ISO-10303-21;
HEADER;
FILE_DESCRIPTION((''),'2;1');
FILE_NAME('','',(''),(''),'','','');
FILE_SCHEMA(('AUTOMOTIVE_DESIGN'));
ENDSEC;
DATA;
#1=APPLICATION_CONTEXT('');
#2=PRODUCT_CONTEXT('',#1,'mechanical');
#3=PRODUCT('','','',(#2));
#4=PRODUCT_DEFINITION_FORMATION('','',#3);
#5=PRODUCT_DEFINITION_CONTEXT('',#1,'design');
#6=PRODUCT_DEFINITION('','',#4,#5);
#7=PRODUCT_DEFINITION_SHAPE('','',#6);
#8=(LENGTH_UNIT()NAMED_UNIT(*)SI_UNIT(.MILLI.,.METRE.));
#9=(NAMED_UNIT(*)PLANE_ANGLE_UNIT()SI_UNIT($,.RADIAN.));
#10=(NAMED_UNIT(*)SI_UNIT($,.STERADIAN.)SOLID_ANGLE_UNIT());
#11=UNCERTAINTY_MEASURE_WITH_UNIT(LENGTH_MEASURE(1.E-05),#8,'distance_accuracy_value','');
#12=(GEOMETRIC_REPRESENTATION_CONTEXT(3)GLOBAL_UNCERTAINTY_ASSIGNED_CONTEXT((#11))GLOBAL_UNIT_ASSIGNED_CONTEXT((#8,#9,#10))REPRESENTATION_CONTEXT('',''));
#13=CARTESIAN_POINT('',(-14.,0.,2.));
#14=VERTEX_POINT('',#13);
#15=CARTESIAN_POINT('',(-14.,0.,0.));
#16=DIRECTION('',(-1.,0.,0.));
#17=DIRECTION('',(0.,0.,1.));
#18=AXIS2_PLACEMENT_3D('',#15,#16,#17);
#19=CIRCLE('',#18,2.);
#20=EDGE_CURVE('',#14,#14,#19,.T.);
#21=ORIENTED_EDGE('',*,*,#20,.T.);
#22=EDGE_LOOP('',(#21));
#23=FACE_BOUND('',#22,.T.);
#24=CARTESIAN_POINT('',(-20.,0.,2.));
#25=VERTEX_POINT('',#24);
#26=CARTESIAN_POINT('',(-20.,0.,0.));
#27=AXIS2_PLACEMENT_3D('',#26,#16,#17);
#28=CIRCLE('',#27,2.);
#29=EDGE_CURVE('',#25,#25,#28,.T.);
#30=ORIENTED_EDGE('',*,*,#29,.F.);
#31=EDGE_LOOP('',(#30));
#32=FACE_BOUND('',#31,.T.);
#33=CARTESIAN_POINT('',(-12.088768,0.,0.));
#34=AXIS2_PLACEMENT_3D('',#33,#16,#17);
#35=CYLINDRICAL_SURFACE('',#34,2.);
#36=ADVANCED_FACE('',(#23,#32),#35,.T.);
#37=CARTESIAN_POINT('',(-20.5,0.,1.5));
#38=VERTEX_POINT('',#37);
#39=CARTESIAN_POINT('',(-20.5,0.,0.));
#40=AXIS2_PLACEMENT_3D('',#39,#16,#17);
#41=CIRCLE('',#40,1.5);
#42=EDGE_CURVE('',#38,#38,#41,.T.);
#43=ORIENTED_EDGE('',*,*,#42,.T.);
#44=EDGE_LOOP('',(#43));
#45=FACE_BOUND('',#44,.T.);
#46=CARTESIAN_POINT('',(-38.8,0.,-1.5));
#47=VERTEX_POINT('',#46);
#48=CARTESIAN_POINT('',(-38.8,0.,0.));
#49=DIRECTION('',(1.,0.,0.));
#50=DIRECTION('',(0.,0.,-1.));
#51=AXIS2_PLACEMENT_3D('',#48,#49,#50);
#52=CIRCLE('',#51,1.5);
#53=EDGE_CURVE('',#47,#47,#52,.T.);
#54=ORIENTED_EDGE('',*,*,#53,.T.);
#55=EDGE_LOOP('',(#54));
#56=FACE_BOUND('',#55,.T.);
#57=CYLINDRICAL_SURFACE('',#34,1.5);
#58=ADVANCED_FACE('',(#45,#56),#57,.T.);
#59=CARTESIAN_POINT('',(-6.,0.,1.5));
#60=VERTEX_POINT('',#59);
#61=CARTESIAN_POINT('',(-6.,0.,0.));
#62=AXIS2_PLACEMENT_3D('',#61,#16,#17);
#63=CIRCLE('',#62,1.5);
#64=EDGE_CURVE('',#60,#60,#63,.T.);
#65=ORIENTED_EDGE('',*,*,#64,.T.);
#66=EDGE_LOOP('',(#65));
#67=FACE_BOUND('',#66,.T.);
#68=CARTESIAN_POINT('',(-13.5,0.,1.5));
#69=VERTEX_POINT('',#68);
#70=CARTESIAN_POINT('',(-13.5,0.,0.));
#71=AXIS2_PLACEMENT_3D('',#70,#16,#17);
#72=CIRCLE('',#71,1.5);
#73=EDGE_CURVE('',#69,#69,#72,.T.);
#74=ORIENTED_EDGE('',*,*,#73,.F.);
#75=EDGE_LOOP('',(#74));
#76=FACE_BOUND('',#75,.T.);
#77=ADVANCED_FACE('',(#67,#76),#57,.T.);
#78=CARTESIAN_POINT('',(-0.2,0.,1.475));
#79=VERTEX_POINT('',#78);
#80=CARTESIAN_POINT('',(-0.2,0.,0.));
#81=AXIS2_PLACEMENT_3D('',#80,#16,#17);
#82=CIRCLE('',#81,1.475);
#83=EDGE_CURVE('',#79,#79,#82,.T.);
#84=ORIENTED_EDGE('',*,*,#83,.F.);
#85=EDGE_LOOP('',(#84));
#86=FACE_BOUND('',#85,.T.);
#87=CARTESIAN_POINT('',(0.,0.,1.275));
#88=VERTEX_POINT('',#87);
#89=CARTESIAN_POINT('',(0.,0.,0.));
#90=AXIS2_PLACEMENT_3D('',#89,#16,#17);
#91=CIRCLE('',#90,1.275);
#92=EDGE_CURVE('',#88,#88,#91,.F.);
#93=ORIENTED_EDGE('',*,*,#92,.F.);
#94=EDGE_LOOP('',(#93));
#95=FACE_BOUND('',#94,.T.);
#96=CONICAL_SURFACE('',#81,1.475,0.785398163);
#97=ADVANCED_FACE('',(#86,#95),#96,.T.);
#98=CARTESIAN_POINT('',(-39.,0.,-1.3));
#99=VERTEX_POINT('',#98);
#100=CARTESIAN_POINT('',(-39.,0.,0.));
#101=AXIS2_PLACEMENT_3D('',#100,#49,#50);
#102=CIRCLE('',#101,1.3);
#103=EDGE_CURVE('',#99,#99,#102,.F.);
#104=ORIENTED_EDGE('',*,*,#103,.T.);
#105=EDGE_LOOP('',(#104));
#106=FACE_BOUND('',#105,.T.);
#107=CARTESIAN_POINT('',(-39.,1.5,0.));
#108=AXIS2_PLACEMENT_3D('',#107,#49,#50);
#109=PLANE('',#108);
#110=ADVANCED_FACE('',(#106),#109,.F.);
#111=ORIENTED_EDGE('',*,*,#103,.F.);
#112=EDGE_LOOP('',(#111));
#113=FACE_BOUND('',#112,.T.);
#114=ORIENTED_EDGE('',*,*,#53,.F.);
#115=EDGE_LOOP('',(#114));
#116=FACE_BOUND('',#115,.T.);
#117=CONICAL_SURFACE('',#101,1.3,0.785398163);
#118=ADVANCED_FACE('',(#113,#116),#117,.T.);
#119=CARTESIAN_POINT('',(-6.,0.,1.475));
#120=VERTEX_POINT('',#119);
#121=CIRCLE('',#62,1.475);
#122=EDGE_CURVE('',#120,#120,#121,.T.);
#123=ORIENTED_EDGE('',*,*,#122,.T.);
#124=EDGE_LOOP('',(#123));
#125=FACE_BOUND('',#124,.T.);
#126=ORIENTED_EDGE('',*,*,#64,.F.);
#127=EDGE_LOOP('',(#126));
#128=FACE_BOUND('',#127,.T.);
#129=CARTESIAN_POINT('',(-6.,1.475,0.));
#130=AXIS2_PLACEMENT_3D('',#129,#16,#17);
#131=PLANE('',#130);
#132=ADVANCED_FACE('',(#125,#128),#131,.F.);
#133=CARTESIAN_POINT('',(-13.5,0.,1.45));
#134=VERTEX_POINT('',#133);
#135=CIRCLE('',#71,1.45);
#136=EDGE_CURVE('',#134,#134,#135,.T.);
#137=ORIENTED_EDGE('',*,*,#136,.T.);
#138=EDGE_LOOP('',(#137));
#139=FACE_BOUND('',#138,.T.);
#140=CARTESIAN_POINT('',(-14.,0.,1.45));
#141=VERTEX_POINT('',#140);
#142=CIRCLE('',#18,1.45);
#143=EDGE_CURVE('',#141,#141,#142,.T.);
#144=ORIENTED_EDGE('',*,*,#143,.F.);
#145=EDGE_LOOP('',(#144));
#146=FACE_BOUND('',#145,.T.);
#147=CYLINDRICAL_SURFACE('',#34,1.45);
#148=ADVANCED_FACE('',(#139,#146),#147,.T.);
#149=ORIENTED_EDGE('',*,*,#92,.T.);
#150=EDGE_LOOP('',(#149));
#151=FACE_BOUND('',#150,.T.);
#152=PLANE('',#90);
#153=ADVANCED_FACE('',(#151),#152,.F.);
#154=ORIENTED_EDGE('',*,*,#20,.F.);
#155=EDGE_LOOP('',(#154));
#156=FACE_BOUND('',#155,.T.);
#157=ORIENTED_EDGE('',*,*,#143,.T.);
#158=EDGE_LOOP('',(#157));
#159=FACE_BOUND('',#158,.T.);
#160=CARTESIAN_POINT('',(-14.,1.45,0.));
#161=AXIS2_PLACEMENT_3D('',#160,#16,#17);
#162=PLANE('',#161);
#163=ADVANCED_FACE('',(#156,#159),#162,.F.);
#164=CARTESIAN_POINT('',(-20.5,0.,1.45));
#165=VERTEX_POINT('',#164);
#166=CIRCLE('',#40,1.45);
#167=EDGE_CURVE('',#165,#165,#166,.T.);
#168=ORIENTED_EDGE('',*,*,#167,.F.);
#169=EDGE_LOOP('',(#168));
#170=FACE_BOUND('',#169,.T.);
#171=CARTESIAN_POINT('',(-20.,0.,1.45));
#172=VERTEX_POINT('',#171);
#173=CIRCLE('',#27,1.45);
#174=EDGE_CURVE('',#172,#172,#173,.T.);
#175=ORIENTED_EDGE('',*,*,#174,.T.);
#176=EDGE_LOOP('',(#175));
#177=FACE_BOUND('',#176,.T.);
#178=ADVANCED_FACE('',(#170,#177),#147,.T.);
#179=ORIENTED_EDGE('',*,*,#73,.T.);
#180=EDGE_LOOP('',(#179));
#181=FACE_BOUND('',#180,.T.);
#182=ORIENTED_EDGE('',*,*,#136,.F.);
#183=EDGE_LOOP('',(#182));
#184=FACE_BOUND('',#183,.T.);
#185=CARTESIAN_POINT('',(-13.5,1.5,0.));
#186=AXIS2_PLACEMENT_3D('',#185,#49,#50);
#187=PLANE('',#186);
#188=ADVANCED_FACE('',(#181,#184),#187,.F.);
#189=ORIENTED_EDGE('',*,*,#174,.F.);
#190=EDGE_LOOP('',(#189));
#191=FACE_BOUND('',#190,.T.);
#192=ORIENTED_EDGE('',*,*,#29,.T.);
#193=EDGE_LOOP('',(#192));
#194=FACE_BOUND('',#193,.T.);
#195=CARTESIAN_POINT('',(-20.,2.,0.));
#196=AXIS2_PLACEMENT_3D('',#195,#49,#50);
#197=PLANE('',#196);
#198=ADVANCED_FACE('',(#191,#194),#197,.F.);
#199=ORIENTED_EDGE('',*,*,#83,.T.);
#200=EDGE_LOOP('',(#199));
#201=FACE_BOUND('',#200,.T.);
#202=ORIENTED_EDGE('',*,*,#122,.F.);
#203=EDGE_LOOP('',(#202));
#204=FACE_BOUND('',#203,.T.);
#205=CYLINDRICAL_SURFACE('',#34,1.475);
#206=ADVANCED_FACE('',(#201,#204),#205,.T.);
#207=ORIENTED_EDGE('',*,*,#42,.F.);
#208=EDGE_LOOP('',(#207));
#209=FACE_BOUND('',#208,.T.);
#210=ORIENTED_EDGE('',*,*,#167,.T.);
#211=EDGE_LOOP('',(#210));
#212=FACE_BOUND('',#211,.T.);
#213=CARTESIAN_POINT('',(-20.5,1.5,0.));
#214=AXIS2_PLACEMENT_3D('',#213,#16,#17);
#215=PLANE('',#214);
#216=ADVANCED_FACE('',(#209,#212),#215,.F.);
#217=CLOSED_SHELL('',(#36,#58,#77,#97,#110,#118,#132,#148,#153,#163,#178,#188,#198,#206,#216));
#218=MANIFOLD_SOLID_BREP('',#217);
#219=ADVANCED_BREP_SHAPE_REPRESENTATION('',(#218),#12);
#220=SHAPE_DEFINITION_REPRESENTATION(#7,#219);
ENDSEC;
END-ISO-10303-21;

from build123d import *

# Parameters (mm, degrees)
CHAMFER_1_SIZE = 0.2


with BuildPart() as part:
    # 草图1 → 旋转1 (revolve)
    with BuildSketch(Plane.XY, mode=Mode.PRIVATE) as revolve_1_sk:
        Polygon((0, 0), (0, 1.475), (-6, 1.475), (-6, 1.5), (-13.5, 1.5), (-13.5, 1.45), (-14, 1.45), (-14, 2), (-20, 2), (-20, 1.45), (-20.5, 1.45), (-20.5, 1.5), (-39, 1.5), (-39, 0), align=None)
    revolve(revolve_1_sk.sketch.rotate(Axis((-12.088767593, 0, 0), (1, 0, 0)), 90), axis=Axis((-12.088767593, 0, 0), (1, 0, 0)))

    # 倒角1
    chamfer_1_edges = [part.edges().sort_by_distance(p)[0] for p in [
        (0, 0, -1.475),
        (-39, 0, -1.5),
    ]]
    chamfer(chamfer_1_edges, length=CHAMFER_1_SIZE)


solid = part.part
